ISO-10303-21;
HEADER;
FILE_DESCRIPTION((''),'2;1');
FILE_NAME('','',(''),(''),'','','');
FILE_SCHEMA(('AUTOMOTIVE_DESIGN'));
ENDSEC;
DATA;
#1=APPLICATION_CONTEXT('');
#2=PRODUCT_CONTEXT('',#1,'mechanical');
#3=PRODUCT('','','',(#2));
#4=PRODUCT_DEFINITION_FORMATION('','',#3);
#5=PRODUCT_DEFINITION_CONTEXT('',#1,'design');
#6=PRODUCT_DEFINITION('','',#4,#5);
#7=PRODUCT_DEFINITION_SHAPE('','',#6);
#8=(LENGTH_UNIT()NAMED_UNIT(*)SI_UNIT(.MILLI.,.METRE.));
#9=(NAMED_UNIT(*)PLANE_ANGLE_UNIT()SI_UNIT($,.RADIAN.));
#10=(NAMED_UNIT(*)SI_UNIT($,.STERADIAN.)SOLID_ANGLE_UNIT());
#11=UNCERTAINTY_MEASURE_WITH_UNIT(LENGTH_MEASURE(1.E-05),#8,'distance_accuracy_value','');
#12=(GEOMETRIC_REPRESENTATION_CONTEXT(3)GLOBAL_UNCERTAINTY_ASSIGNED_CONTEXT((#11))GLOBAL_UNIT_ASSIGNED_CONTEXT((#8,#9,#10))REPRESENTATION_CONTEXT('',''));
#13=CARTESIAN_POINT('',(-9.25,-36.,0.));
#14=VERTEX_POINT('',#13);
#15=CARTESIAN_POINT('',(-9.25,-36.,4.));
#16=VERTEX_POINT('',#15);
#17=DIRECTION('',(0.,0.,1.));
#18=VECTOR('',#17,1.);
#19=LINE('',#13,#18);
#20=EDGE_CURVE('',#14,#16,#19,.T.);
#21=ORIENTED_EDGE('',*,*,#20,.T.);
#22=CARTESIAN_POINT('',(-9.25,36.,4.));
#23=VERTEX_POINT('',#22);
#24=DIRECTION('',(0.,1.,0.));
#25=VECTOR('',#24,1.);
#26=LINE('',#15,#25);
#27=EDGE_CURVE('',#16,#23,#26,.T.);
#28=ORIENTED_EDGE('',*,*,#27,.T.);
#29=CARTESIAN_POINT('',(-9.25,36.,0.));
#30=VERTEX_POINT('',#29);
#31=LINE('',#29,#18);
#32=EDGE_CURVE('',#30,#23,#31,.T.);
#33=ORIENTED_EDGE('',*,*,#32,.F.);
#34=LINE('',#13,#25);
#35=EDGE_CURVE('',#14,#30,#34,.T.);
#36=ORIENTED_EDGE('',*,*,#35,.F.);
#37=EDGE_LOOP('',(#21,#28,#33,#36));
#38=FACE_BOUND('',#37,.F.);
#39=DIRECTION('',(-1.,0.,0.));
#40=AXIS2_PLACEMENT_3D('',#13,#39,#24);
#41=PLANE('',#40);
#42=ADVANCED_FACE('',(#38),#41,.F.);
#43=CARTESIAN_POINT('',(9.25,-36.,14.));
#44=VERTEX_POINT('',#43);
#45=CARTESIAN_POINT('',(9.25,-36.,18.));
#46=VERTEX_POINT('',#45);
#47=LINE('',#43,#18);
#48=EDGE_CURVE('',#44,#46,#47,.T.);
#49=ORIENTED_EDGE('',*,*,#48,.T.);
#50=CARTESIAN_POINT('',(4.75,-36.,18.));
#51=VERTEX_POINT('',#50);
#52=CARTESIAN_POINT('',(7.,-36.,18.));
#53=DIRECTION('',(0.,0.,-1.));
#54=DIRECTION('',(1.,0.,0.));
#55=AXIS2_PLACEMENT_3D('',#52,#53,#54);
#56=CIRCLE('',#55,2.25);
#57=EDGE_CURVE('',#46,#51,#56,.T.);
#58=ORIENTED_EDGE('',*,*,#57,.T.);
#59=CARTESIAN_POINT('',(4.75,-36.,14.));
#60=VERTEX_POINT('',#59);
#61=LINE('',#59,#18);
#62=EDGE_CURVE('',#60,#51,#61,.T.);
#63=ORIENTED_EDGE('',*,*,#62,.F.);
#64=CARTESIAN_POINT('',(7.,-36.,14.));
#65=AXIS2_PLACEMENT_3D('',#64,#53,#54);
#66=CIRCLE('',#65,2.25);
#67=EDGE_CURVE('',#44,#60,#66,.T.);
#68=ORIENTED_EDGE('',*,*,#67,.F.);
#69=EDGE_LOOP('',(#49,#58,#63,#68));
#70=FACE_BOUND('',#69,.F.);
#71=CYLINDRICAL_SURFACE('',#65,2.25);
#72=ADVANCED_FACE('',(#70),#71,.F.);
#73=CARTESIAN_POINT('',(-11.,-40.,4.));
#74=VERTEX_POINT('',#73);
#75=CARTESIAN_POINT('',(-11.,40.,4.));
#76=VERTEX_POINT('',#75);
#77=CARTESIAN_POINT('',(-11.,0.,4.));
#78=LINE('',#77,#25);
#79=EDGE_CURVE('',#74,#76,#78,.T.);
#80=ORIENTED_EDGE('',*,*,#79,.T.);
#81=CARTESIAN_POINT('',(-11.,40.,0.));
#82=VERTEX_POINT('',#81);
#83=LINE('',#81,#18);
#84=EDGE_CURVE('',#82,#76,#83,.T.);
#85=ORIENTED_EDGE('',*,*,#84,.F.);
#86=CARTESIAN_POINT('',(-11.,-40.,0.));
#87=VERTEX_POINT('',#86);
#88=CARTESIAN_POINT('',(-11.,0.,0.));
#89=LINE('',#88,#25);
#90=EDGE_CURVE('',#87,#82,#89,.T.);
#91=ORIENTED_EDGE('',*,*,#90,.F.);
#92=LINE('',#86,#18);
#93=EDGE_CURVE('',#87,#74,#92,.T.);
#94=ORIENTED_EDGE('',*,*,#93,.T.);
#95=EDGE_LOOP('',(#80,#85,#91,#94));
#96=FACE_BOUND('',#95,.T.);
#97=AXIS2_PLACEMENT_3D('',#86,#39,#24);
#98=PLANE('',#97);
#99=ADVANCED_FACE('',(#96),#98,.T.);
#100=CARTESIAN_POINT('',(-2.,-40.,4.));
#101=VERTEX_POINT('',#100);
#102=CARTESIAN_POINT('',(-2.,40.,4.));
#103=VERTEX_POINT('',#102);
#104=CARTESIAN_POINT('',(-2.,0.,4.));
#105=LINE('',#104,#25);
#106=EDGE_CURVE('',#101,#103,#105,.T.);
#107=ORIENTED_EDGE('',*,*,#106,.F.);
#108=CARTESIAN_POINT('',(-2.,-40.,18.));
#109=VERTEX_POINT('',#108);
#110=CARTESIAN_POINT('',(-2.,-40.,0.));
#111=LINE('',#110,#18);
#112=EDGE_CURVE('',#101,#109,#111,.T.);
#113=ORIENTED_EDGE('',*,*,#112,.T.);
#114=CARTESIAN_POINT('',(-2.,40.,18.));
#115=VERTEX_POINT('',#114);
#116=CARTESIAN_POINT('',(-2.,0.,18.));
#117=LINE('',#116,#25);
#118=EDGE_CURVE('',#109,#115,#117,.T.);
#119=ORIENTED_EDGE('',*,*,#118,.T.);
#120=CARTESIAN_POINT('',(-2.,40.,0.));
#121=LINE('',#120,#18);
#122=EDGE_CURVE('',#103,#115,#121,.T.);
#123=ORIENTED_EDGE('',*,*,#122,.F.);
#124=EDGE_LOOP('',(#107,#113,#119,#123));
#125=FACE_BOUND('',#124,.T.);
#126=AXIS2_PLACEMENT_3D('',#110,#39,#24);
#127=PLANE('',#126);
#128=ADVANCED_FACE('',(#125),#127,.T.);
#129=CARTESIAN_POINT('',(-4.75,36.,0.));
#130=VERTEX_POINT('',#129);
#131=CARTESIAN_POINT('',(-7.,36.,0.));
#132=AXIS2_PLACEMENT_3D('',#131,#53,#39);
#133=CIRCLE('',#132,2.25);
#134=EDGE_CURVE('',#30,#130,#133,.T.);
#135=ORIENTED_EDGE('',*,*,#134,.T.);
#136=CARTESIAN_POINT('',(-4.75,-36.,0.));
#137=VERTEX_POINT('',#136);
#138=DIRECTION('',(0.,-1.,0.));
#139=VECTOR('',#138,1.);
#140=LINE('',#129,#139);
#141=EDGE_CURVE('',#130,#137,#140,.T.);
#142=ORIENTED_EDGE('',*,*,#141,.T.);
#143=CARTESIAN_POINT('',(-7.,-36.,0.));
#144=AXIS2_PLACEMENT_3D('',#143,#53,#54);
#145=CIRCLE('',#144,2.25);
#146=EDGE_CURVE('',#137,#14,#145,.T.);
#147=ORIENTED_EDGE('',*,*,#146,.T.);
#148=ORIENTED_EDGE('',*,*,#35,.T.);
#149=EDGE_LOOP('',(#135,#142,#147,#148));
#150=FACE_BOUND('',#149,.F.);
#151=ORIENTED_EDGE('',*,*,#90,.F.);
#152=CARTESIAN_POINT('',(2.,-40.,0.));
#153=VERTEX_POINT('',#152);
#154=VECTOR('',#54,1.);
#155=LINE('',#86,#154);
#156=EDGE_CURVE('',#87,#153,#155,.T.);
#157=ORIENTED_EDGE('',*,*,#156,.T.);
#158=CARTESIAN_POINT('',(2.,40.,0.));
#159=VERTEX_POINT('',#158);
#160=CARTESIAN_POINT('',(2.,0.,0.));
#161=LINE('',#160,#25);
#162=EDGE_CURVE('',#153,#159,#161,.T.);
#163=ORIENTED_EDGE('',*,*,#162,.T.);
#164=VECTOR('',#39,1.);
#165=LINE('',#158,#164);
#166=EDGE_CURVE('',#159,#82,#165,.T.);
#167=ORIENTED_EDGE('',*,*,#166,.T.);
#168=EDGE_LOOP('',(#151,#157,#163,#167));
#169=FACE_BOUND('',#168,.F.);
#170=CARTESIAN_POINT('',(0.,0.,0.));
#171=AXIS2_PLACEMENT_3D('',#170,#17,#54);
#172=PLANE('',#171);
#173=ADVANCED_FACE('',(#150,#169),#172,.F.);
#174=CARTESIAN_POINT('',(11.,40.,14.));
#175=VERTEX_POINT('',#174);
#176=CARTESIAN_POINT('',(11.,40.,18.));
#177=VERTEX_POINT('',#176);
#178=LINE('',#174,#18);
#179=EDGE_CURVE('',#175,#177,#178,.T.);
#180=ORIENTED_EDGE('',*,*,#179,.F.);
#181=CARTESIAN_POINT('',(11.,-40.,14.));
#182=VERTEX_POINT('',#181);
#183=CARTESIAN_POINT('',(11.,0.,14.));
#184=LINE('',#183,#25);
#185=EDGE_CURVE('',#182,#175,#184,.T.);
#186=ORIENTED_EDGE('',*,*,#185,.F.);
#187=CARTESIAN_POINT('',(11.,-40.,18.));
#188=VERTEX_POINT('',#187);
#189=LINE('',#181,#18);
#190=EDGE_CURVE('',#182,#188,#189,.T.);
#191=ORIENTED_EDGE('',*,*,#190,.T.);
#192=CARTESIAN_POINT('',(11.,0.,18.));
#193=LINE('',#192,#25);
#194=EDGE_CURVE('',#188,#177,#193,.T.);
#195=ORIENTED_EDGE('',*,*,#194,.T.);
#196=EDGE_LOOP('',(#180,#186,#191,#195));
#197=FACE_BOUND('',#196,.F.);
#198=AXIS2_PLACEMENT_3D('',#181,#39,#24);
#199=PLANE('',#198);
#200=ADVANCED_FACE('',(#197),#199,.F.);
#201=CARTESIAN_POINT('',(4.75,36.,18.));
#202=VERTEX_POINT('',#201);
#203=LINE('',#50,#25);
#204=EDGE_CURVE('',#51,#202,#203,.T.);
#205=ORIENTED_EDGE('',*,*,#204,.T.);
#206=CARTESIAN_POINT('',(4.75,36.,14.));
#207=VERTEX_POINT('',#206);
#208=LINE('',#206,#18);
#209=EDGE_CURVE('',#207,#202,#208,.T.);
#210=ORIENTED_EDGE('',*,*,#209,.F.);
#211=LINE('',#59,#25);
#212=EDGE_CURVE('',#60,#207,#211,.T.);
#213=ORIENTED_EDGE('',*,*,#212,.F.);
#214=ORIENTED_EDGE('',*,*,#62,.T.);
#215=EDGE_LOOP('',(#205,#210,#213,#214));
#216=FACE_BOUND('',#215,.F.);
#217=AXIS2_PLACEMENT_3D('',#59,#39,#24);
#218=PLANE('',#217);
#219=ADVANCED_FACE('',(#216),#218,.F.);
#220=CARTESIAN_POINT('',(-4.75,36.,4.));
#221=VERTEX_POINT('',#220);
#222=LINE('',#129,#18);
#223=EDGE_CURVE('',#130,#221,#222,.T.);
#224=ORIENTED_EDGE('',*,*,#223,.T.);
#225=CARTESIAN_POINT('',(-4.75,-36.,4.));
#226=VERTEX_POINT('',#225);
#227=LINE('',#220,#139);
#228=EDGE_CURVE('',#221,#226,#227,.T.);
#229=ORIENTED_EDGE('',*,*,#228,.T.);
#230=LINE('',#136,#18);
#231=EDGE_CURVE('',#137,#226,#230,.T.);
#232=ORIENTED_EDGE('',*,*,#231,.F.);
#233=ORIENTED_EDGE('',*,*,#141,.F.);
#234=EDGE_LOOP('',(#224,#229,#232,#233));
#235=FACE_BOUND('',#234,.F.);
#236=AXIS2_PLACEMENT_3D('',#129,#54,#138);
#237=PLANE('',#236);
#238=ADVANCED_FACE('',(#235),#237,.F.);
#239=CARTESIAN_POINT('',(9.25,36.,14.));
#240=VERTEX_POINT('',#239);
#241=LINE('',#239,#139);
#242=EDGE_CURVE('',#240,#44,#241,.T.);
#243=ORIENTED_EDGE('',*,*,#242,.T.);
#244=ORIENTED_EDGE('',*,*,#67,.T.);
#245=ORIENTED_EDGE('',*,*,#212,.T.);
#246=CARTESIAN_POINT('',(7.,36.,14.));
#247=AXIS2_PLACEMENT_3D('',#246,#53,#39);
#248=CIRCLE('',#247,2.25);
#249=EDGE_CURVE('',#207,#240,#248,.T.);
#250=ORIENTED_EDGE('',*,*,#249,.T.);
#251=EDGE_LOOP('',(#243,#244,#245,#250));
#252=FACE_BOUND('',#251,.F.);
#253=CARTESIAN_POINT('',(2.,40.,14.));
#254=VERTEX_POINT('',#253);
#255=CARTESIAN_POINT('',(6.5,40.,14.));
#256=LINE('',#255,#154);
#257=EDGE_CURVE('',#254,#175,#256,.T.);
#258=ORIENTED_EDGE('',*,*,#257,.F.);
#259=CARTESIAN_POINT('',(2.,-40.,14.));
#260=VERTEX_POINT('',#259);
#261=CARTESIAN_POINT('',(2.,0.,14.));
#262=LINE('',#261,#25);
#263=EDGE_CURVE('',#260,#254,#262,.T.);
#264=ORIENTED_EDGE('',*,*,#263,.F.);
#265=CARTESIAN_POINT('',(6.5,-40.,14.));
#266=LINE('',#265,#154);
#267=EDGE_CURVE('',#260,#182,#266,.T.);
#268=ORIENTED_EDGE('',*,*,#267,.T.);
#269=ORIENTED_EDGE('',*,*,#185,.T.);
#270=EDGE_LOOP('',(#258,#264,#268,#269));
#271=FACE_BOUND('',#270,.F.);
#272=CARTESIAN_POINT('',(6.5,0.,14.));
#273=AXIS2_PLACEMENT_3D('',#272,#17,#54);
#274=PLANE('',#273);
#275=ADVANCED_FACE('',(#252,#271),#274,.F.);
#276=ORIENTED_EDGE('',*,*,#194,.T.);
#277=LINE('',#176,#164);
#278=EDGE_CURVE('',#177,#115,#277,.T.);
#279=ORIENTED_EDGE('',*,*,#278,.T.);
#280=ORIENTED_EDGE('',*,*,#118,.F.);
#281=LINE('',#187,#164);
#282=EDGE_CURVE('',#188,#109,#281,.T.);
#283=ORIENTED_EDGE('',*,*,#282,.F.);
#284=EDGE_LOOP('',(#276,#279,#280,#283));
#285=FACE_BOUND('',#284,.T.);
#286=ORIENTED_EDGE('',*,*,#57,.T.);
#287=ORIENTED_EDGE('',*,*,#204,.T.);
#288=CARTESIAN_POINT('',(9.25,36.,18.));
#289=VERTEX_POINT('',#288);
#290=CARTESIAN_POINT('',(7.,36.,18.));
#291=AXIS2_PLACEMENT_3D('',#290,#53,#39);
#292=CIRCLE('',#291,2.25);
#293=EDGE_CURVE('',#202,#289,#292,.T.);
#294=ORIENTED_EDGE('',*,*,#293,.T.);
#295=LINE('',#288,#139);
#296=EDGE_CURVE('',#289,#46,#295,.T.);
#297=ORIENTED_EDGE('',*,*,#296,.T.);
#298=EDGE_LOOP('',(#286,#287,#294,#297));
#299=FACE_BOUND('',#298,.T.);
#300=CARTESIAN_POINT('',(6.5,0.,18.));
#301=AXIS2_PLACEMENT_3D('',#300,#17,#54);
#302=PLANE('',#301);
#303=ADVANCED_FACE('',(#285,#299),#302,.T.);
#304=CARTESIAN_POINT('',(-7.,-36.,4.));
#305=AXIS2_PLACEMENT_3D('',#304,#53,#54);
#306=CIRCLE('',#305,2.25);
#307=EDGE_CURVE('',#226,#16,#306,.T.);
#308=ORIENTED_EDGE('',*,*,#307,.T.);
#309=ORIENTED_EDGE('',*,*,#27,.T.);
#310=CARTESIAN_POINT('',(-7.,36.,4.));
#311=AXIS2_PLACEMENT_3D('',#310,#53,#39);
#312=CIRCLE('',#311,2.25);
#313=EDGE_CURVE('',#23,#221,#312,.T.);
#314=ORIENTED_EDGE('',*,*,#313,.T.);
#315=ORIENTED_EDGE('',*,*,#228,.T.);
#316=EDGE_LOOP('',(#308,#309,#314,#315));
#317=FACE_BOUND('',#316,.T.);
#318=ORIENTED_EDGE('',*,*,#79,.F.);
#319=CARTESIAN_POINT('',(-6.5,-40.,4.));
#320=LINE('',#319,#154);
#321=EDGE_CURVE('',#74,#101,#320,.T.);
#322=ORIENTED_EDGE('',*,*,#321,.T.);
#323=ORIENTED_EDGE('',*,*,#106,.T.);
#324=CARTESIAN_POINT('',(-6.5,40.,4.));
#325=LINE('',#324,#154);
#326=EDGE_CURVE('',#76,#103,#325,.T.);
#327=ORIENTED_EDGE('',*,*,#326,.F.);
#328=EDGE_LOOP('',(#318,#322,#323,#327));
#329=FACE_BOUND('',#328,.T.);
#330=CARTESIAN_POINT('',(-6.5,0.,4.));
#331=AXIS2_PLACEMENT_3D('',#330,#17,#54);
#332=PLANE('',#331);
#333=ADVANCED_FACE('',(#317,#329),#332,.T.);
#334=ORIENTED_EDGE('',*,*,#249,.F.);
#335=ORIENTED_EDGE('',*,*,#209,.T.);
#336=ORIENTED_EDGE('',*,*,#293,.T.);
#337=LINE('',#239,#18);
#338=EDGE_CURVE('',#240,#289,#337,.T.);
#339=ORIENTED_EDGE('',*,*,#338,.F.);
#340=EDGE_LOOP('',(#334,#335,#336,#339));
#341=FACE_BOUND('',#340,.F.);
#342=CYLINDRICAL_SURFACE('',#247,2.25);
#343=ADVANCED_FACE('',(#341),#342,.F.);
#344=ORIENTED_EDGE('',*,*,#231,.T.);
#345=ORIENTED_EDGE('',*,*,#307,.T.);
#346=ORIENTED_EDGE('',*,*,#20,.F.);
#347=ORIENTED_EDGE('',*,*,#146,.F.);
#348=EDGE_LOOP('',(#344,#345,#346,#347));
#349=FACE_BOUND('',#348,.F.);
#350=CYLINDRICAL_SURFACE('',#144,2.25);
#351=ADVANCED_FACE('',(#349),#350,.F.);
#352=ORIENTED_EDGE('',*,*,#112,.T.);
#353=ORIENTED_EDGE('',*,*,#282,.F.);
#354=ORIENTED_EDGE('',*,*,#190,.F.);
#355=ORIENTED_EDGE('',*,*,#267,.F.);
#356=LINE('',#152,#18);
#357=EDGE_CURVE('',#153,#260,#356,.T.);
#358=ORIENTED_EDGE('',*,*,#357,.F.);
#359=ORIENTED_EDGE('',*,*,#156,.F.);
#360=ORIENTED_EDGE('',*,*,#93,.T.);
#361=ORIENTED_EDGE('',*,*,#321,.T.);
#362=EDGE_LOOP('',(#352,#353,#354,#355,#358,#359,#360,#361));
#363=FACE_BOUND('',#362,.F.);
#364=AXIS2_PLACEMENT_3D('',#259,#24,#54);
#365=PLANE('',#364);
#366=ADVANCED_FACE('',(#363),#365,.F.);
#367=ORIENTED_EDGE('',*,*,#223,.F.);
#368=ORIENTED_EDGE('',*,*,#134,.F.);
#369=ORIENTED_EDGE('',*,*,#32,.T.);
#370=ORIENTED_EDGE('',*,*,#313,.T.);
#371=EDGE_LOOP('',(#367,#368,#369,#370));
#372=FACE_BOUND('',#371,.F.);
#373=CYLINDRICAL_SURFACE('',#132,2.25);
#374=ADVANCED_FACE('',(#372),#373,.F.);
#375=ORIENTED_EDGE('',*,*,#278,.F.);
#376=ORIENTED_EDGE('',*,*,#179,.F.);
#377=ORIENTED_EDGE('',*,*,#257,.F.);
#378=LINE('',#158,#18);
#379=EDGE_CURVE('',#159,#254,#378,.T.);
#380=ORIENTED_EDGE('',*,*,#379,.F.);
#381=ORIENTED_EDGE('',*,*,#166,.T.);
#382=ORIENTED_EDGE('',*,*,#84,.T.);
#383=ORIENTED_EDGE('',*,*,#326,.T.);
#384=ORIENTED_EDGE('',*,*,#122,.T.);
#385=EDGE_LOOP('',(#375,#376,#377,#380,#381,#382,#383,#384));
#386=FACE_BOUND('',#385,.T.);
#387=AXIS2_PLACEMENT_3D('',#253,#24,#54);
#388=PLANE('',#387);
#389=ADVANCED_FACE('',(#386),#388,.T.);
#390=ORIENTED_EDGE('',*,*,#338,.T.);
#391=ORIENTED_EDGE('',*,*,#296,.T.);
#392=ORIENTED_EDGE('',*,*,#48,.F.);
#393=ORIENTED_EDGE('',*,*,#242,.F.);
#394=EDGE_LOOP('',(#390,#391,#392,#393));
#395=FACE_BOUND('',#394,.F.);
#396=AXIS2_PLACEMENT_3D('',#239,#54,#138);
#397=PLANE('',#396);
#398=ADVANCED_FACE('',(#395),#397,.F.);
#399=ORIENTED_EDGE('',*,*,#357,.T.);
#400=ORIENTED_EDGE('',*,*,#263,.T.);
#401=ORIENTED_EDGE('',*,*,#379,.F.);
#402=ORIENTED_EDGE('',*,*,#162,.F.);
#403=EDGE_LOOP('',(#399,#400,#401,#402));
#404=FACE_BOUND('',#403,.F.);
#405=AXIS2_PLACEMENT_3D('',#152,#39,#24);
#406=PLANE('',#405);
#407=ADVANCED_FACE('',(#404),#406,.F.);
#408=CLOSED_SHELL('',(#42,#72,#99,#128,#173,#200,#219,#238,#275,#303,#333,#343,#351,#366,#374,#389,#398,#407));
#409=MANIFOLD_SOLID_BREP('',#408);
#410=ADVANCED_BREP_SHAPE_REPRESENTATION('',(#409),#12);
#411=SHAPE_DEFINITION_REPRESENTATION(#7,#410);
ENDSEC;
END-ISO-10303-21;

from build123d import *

# Parameters (mm, degrees)
F0_W     = 9
F0_H     = 80
F1_DEPTH = 4
F0_W_2   = 4
F2_DEPTH = 18
F3_START = 14
F3_DEPTH = 4


with BuildPart() as f1:
    # F0 (on Top) → F1 (new body)
    with BuildSketch(Plane.XY):
        with Locations((-6.5, 0)):
            Rectangle(F0_W, F0_H)
        with BuildLine():
            ThreePointArc((-9.25, 36), (-7, 38.25), (-4.75, 36))
            Line((-4.75, 36), (-4.75, -36))
            ThreePointArc((-4.75, -36), (-7, -38.25), (-9.25, -36))
            Line((-9.25, -36), (-9.25, 36))
        make_face(mode=Mode.SUBTRACT)
    extrude(amount=F1_DEPTH)

    # F0 (on Top) → F2 (join)
    with BuildSketch(Plane.XY):
        Rectangle(F0_W_2, F0_H)
    extrude(amount=F2_DEPTH)

    # F0 (on Top) → F3 (join)
    with BuildSketch(Plane.XY.offset(F3_START)):
        with Locations((6.5, 0)):
            Rectangle(F0_W, F0_H)
        with BuildLine():
            ThreePointArc((4.75, 36), (7, 38.25), (9.25, 36))
            Line((9.25, 36), (9.25, -36))
            ThreePointArc((9.25, -36), (7, -38.25), (4.75, -36))
            Line((4.75, -36), (4.75, 36))
        make_face(mode=Mode.SUBTRACT)
    extrude(amount=F3_DEPTH)


solid = f1.part
